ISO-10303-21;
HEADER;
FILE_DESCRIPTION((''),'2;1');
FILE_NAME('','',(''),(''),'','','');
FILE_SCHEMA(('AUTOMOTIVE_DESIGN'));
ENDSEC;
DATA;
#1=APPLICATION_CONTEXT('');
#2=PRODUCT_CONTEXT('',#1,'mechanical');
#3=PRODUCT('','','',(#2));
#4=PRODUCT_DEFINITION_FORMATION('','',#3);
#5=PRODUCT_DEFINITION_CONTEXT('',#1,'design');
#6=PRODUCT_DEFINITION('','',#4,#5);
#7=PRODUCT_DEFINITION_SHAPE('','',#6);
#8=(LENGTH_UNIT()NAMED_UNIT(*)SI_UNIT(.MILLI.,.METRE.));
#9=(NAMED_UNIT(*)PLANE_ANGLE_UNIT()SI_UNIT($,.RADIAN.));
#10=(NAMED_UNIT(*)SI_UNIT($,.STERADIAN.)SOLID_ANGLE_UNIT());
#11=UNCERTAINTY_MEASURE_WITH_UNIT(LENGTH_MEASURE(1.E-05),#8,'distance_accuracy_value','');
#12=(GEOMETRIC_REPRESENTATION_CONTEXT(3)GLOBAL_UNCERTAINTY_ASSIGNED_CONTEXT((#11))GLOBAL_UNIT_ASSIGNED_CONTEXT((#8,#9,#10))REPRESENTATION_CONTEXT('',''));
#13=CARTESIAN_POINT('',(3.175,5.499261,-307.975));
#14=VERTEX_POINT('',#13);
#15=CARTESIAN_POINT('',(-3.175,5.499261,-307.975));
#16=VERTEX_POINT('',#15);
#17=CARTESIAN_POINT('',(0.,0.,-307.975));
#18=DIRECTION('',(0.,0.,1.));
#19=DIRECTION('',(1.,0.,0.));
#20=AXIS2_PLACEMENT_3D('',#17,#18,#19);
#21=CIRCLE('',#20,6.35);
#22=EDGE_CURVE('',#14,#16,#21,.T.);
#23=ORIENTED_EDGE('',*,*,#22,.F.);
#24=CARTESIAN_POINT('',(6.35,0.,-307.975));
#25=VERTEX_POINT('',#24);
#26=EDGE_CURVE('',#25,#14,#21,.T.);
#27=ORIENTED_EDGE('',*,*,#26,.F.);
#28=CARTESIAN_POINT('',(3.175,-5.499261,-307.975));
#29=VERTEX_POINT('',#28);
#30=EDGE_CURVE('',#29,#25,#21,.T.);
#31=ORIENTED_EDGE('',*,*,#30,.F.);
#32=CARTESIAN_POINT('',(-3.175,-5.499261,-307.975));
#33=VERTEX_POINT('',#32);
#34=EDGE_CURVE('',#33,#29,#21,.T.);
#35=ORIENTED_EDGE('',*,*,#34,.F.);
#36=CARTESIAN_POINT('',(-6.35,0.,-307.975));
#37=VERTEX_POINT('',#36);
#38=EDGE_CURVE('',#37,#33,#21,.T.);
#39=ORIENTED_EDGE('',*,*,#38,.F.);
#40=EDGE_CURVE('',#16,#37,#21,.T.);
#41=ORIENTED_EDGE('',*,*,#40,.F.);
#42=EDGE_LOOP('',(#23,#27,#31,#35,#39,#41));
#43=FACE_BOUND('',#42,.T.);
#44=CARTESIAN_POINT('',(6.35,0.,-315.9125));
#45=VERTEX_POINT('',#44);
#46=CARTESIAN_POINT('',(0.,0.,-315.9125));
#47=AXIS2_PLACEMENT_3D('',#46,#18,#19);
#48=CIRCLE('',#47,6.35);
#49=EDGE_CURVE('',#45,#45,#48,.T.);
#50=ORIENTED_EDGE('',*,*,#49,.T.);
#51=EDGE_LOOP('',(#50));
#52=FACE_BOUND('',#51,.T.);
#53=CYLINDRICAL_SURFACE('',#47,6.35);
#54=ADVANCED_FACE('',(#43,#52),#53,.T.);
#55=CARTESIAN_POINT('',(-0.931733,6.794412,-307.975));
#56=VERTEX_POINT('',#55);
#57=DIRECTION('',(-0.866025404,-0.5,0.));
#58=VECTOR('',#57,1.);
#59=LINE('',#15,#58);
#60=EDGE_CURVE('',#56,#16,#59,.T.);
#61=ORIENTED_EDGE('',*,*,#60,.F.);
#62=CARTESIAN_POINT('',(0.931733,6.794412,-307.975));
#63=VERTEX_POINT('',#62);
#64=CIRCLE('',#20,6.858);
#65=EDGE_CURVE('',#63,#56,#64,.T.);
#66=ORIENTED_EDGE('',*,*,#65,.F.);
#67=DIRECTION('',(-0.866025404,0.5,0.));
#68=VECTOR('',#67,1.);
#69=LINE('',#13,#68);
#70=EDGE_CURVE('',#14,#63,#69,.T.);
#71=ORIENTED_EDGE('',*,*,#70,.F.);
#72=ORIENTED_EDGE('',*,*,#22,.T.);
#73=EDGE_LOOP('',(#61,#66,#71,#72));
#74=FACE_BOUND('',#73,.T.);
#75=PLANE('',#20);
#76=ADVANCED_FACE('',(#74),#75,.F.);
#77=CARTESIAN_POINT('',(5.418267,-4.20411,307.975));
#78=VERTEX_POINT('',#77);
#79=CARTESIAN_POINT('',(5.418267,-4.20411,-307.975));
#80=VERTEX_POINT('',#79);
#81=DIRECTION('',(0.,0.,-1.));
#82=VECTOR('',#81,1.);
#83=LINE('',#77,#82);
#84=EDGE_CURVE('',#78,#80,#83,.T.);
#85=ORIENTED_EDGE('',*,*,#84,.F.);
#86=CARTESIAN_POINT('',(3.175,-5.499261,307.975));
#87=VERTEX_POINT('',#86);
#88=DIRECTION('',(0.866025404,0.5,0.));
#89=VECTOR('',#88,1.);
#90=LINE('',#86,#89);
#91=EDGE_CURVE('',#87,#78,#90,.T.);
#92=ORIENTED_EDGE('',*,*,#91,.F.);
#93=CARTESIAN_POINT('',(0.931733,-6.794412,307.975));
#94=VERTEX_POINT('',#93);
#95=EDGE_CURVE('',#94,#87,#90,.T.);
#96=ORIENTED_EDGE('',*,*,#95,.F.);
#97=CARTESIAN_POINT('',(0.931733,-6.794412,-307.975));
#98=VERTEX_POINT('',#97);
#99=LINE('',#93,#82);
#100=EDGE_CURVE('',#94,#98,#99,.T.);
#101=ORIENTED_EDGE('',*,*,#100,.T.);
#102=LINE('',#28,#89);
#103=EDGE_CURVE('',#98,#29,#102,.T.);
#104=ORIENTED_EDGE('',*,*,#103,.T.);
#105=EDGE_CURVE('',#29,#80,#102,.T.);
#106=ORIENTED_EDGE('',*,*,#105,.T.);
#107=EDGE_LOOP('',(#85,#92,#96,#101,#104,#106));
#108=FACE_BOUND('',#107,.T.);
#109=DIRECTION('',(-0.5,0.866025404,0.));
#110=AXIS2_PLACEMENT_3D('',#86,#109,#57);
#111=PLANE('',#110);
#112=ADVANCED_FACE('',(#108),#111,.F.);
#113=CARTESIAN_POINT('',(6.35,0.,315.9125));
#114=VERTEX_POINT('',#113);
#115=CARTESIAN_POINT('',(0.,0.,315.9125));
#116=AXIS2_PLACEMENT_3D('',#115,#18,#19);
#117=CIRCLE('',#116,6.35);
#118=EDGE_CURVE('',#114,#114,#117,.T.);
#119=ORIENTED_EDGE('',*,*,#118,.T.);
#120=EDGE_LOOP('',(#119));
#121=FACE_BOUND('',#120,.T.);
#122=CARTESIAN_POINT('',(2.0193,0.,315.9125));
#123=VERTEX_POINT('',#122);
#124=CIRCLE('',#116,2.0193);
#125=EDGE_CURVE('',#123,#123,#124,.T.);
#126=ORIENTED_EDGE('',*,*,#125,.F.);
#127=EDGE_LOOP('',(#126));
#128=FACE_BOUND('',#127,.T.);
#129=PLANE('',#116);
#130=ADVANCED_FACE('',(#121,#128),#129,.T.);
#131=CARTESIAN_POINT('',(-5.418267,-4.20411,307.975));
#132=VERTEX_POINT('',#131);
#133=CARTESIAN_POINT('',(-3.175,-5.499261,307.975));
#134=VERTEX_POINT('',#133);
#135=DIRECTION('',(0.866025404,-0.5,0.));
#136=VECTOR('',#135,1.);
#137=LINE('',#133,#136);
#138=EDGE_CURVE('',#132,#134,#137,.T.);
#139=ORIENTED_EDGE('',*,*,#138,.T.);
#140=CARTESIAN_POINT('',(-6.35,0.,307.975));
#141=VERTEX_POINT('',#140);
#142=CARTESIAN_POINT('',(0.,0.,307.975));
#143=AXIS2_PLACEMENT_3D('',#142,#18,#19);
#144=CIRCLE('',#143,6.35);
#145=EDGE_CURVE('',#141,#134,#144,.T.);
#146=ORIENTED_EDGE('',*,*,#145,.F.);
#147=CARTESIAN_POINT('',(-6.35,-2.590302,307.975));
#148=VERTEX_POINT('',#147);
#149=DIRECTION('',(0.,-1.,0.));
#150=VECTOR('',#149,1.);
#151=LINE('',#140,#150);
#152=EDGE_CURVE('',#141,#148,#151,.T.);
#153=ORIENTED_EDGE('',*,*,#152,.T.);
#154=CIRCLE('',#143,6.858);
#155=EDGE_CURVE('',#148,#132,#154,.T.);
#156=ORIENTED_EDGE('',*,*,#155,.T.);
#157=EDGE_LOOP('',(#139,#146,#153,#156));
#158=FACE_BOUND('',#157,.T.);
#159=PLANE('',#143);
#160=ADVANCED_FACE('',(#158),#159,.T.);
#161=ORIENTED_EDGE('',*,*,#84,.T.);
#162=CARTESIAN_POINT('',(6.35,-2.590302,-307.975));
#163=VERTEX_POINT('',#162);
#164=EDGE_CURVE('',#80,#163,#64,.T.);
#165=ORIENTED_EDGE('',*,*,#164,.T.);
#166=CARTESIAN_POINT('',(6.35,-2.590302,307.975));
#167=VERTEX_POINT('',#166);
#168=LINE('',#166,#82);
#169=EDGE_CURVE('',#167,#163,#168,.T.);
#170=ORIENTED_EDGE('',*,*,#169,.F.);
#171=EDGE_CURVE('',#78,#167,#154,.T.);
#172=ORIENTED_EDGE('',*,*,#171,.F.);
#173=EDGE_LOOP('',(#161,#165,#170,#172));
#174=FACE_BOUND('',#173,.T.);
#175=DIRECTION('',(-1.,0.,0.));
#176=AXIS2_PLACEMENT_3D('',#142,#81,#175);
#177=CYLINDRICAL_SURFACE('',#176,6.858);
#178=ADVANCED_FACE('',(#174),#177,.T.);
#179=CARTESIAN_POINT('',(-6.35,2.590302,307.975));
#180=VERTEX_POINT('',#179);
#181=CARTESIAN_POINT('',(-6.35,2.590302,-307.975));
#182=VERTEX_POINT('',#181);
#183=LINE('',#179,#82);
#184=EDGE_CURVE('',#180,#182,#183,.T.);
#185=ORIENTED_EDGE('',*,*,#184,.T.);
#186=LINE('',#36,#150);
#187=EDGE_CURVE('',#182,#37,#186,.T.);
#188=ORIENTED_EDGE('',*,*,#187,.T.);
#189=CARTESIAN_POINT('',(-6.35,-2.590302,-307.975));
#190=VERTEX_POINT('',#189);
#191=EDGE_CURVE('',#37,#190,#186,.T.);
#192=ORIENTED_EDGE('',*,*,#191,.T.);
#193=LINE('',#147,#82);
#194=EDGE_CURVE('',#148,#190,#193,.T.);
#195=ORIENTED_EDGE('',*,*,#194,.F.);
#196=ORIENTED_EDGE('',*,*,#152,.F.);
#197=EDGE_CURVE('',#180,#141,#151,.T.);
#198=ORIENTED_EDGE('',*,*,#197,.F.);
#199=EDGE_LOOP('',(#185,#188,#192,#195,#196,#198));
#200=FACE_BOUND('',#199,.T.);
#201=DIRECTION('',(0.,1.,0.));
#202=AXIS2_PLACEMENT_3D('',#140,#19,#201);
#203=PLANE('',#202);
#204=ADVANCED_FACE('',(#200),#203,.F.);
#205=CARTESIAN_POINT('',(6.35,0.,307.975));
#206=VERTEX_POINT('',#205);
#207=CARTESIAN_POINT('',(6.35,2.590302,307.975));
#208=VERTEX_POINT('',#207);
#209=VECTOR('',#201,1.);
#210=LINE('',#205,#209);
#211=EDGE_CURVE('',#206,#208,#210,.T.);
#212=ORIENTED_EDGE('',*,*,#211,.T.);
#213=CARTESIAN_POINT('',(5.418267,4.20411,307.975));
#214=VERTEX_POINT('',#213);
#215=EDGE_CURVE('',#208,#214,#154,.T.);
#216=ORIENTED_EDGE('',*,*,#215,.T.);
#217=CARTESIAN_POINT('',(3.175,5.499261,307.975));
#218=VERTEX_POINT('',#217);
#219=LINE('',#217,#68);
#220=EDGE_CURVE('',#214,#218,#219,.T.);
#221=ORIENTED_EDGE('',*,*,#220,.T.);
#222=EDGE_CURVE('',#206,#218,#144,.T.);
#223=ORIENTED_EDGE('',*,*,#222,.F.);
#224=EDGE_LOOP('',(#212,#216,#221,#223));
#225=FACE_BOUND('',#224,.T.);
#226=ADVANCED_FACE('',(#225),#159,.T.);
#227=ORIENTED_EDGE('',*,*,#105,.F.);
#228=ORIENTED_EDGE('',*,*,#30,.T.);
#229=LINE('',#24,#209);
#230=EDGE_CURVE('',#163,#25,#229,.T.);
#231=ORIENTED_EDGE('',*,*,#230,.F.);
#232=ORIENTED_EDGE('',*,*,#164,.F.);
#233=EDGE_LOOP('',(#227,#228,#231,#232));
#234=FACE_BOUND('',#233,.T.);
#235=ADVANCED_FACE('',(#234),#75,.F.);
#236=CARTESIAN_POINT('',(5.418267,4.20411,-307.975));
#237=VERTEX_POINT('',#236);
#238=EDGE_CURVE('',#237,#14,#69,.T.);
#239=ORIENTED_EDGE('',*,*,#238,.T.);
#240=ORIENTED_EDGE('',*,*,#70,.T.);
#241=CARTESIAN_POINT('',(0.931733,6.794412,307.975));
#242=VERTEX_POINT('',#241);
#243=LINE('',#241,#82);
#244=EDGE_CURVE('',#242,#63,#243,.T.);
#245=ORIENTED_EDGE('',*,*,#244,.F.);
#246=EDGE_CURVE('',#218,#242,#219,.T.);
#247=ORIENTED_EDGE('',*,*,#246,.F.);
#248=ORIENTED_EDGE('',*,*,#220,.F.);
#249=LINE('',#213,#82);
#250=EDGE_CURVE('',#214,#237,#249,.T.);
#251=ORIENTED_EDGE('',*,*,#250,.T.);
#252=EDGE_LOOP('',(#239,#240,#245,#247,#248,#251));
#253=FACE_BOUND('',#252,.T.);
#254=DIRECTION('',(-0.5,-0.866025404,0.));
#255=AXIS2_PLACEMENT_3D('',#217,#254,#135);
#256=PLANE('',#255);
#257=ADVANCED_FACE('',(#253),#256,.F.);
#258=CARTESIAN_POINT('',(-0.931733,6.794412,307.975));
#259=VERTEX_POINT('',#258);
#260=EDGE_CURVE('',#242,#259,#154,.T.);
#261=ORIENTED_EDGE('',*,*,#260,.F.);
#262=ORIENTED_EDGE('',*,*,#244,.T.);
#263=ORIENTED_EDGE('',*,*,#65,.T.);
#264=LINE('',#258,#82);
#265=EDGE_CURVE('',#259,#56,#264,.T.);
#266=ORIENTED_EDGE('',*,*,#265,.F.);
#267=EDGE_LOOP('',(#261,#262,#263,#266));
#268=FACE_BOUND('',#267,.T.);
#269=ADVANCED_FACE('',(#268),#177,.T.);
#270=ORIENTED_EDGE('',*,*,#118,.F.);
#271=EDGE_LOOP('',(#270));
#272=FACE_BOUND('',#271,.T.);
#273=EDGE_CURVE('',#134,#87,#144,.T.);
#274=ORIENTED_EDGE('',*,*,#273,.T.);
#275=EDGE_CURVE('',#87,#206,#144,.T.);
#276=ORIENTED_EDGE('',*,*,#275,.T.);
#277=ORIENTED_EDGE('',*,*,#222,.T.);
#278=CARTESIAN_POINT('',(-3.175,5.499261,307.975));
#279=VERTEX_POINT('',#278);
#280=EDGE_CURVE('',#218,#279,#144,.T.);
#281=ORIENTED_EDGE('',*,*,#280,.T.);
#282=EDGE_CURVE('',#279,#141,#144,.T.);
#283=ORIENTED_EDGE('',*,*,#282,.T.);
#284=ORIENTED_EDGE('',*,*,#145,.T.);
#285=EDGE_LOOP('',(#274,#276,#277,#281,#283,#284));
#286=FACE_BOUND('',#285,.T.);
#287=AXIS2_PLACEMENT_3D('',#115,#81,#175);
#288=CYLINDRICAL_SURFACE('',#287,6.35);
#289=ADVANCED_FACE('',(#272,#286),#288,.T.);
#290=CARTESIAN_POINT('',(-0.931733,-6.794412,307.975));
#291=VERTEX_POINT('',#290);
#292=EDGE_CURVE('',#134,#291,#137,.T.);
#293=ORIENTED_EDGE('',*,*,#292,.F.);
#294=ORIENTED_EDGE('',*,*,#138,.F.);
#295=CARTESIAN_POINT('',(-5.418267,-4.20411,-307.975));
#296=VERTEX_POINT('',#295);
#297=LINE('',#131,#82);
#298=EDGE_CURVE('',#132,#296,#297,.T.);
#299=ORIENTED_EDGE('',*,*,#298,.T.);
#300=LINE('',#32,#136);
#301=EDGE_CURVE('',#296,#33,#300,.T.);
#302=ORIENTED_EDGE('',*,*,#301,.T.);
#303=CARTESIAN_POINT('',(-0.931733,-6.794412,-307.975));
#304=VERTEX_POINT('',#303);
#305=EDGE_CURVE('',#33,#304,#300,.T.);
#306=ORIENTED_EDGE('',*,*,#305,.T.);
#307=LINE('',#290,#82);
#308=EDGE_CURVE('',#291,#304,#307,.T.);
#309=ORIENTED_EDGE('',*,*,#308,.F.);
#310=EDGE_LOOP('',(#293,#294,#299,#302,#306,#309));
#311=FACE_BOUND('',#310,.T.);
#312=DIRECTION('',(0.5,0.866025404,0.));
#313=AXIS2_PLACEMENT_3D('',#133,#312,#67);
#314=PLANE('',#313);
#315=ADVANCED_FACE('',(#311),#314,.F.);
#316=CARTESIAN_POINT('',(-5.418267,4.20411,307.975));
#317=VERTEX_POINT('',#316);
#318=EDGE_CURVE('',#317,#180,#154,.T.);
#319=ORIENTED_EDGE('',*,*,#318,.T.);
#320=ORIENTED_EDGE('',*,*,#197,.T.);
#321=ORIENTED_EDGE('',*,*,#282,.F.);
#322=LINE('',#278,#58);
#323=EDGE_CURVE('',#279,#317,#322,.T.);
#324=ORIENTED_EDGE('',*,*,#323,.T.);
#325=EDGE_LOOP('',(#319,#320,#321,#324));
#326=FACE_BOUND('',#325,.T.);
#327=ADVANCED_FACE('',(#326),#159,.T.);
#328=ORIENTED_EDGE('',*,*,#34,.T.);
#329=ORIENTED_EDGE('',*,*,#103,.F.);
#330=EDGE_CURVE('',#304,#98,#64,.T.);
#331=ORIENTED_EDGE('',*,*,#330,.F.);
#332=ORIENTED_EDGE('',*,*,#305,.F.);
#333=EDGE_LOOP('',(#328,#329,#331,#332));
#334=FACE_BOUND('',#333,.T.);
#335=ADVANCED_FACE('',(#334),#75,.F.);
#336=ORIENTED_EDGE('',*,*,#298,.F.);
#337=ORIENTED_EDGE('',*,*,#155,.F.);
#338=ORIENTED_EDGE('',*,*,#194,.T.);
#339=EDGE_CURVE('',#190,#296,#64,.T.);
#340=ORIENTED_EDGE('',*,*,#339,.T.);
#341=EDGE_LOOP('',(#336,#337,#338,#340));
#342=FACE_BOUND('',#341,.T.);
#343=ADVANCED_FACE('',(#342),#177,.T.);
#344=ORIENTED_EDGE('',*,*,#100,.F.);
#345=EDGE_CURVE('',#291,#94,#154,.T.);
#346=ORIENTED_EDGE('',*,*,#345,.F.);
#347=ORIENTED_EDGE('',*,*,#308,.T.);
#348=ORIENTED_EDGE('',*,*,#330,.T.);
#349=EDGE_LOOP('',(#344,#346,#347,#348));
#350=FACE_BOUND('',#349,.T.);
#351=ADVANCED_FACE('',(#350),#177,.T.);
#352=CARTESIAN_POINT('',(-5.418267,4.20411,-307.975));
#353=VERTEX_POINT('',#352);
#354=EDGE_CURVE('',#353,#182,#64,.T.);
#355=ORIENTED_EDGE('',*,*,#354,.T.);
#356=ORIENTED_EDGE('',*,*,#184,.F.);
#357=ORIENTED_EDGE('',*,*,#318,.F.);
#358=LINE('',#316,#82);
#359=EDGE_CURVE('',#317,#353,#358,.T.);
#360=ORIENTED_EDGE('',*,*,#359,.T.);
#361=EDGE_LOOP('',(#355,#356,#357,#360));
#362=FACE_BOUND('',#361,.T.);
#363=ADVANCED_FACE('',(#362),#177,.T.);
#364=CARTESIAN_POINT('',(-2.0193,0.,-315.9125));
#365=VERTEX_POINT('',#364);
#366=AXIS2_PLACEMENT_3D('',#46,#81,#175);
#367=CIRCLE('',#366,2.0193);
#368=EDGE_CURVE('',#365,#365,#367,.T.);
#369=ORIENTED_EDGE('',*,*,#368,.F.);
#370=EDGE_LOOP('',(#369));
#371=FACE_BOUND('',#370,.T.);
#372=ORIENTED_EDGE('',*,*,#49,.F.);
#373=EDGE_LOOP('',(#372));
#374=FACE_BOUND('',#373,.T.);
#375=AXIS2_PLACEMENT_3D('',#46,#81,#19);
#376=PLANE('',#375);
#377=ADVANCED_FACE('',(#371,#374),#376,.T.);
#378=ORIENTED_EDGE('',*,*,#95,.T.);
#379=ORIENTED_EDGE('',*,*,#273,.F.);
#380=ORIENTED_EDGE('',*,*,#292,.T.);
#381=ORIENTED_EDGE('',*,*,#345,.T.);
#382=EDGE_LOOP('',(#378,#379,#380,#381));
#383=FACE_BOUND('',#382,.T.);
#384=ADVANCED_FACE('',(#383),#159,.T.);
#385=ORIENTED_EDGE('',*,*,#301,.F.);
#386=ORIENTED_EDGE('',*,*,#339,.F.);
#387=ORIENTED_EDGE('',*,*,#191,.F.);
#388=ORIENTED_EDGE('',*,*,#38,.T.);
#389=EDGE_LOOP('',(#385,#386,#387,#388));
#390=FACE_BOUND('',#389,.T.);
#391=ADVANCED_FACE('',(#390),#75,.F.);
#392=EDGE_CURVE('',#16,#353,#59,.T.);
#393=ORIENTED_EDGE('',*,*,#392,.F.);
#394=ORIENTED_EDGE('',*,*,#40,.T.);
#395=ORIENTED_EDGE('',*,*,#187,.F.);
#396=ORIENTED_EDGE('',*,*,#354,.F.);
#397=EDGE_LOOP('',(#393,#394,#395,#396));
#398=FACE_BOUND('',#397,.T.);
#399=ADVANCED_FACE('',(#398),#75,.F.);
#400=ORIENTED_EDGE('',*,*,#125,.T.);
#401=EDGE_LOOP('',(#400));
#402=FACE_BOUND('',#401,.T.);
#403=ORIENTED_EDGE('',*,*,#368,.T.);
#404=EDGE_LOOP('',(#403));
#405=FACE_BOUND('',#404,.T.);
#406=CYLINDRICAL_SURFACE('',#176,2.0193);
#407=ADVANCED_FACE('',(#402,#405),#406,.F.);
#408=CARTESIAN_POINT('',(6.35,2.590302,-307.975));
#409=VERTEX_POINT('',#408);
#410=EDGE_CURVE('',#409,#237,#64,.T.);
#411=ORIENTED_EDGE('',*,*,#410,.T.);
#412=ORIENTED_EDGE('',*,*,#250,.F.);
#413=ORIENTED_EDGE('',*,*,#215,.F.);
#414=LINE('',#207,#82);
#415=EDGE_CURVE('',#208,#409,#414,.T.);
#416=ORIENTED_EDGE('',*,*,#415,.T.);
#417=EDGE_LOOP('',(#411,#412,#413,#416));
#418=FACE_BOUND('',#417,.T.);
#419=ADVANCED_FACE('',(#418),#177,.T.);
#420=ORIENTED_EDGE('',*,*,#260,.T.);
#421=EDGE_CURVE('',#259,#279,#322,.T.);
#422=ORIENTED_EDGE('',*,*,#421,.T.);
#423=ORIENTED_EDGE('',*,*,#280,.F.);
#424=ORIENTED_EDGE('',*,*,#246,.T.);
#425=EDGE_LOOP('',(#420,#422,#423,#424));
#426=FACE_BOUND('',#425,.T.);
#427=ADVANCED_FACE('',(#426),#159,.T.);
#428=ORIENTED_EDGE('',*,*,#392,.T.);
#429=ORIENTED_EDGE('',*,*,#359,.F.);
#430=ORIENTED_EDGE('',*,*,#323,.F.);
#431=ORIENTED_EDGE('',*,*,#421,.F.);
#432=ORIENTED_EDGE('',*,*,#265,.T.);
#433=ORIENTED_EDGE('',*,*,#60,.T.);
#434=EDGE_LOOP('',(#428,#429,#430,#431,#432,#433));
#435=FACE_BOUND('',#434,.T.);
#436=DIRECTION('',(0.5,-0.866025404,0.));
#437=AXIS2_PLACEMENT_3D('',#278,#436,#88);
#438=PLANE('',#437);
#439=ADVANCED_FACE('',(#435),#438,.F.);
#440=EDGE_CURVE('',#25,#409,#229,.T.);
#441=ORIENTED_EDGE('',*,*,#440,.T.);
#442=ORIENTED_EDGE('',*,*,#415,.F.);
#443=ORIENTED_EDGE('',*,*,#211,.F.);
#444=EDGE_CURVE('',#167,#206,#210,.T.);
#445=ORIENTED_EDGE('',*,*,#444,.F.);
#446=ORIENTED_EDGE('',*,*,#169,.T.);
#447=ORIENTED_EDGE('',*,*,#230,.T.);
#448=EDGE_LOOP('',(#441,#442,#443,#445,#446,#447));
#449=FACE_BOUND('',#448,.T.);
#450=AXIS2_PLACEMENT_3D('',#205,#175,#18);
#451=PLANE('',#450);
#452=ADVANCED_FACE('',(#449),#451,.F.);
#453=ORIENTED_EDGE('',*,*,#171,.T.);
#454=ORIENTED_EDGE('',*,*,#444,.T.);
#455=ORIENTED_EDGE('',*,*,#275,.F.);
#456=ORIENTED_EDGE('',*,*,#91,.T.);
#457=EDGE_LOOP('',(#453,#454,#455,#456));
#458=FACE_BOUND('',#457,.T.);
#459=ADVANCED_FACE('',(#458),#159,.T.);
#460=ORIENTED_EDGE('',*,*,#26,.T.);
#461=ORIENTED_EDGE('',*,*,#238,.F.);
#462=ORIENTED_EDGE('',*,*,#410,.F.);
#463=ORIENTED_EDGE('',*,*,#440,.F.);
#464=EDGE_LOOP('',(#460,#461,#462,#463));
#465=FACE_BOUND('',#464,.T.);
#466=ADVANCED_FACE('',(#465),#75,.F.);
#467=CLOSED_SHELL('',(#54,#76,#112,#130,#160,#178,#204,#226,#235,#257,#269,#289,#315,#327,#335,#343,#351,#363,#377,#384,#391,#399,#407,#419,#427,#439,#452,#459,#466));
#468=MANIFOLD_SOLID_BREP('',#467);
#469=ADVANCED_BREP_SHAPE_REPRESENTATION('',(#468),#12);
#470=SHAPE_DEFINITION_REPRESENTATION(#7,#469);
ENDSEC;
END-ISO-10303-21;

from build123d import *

# Parameters (mm, degrees)
SKETCH2_R                            = 2.0193
BOSS_EXTRUDE1_DEPTH                  = 307.975
SKETCH7_R                            = 6.35
BOSS_EXTRUDE2_DEPTH                  = 7.9375
F_10_32_TAPPED_HOLE2_D               = 4.0386
F_10_32_TAPPED_HOLE2_DEPTH           = 16.34744
F_10_32_TAPPED_HOLE2_TIP             = 1.213317848
F_10_32_TAPPED_HOLE2_ON_FACE_2_D     = 4.0386
F_10_32_TAPPED_HOLE2_ON_FACE_2_DEPTH = 16.34744
F_10_32_TAPPED_HOLE2_ON_FACE_2_TIP   = 1.213317848


with BuildPart() as part:
    # Sketch2 → Boss-Extrude1 (new, symmetric)
    with BuildSketch(Plane.XY):
        with BuildLine():
            ThreePointArc((0.93173274, 6.79441227), (0, 6.858), (-0.93173274, 6.79441227))
            Line((-0.93173274, 6.79441227), (-5.41826726, 4.204110358))
            ThreePointArc((-5.41826726, 4.204110358), (-5.939202219, 3.429), (-6.35, 2.590301913))
            Line((-6.35, 2.590301913), (-6.35, -2.590301913))
            ThreePointArc((-6.35, -2.590301913), (-5.939202219, -3.429), (-5.41826726, -4.204110358))
            Line((-5.41826726, -4.204110358), (-0.93173274, -6.79441227))
            ThreePointArc((-0.93173274, -6.79441227), (0, -6.858), (0.93173274, -6.79441227))
            Line((0.93173274, -6.79441227), (5.41826726, -4.204110358))
            ThreePointArc((5.41826726, -4.204110358), (5.939202219, -3.429), (6.35, -2.590301913))
            Line((6.35, -2.590301913), (6.35, 2.590301913))
            ThreePointArc((6.35, 2.590301913), (5.939202219, 3.429), (5.41826726, 4.204110358))
            Line((5.41826726, 4.204110358), (0.93173274, 6.79441227))
        make_face()
        Circle(SKETCH2_R, mode=Mode.SUBTRACT)
    extrude(amount=BOSS_EXTRUDE1_DEPTH, both=True)

    # Sketch7 → Boss-Extrude2 (add)
    with BuildSketch(Plane.XY.offset(307.975)):
        Circle(SKETCH7_R)
    boss_extrude2 = extrude(amount=BOSS_EXTRUDE2_DEPTH)

    # Mirror1: Boss-Extrude2 across plane
    add(boss_extrude2.mirror(Plane.XY))

    # #10-32 Tapped Hole2
    with Locations(Plane.XY.offset(315.9125)):
        with Locations((0, 0)):
            Hole(F_10_32_TAPPED_HOLE2_D / 2, depth=F_10_32_TAPPED_HOLE2_DEPTH)
            with Locations((0, 0, -(F_10_32_TAPPED_HOLE2_DEPTH + F_10_32_TAPPED_HOLE2_TIP / 2))):  # 118° drill point
                Cone(0, F_10_32_TAPPED_HOLE2_D / 2, F_10_32_TAPPED_HOLE2_TIP, mode=Mode.SUBTRACT)

    # #10-32 Tapped Hole2 on face 2
    with Locations(Plane(origin=(0, 0, -315.9125), x_dir=(-1, 0, 0), z_dir=(0, 0, -1))):
        with Locations((0, 0)):
            Hole(F_10_32_TAPPED_HOLE2_ON_FACE_2_D / 2, depth=F_10_32_TAPPED_HOLE2_ON_FACE_2_DEPTH)
            with Locations((0, 0, -(F_10_32_TAPPED_HOLE2_ON_FACE_2_DEPTH + F_10_32_TAPPED_HOLE2_ON_FACE_2_TIP / 2))):  # 118° drill point
                Cone(0, F_10_32_TAPPED_HOLE2_ON_FACE_2_D / 2, F_10_32_TAPPED_HOLE2_ON_FACE_2_TIP, mode=Mode.SUBTRACT)


solid = part.part
